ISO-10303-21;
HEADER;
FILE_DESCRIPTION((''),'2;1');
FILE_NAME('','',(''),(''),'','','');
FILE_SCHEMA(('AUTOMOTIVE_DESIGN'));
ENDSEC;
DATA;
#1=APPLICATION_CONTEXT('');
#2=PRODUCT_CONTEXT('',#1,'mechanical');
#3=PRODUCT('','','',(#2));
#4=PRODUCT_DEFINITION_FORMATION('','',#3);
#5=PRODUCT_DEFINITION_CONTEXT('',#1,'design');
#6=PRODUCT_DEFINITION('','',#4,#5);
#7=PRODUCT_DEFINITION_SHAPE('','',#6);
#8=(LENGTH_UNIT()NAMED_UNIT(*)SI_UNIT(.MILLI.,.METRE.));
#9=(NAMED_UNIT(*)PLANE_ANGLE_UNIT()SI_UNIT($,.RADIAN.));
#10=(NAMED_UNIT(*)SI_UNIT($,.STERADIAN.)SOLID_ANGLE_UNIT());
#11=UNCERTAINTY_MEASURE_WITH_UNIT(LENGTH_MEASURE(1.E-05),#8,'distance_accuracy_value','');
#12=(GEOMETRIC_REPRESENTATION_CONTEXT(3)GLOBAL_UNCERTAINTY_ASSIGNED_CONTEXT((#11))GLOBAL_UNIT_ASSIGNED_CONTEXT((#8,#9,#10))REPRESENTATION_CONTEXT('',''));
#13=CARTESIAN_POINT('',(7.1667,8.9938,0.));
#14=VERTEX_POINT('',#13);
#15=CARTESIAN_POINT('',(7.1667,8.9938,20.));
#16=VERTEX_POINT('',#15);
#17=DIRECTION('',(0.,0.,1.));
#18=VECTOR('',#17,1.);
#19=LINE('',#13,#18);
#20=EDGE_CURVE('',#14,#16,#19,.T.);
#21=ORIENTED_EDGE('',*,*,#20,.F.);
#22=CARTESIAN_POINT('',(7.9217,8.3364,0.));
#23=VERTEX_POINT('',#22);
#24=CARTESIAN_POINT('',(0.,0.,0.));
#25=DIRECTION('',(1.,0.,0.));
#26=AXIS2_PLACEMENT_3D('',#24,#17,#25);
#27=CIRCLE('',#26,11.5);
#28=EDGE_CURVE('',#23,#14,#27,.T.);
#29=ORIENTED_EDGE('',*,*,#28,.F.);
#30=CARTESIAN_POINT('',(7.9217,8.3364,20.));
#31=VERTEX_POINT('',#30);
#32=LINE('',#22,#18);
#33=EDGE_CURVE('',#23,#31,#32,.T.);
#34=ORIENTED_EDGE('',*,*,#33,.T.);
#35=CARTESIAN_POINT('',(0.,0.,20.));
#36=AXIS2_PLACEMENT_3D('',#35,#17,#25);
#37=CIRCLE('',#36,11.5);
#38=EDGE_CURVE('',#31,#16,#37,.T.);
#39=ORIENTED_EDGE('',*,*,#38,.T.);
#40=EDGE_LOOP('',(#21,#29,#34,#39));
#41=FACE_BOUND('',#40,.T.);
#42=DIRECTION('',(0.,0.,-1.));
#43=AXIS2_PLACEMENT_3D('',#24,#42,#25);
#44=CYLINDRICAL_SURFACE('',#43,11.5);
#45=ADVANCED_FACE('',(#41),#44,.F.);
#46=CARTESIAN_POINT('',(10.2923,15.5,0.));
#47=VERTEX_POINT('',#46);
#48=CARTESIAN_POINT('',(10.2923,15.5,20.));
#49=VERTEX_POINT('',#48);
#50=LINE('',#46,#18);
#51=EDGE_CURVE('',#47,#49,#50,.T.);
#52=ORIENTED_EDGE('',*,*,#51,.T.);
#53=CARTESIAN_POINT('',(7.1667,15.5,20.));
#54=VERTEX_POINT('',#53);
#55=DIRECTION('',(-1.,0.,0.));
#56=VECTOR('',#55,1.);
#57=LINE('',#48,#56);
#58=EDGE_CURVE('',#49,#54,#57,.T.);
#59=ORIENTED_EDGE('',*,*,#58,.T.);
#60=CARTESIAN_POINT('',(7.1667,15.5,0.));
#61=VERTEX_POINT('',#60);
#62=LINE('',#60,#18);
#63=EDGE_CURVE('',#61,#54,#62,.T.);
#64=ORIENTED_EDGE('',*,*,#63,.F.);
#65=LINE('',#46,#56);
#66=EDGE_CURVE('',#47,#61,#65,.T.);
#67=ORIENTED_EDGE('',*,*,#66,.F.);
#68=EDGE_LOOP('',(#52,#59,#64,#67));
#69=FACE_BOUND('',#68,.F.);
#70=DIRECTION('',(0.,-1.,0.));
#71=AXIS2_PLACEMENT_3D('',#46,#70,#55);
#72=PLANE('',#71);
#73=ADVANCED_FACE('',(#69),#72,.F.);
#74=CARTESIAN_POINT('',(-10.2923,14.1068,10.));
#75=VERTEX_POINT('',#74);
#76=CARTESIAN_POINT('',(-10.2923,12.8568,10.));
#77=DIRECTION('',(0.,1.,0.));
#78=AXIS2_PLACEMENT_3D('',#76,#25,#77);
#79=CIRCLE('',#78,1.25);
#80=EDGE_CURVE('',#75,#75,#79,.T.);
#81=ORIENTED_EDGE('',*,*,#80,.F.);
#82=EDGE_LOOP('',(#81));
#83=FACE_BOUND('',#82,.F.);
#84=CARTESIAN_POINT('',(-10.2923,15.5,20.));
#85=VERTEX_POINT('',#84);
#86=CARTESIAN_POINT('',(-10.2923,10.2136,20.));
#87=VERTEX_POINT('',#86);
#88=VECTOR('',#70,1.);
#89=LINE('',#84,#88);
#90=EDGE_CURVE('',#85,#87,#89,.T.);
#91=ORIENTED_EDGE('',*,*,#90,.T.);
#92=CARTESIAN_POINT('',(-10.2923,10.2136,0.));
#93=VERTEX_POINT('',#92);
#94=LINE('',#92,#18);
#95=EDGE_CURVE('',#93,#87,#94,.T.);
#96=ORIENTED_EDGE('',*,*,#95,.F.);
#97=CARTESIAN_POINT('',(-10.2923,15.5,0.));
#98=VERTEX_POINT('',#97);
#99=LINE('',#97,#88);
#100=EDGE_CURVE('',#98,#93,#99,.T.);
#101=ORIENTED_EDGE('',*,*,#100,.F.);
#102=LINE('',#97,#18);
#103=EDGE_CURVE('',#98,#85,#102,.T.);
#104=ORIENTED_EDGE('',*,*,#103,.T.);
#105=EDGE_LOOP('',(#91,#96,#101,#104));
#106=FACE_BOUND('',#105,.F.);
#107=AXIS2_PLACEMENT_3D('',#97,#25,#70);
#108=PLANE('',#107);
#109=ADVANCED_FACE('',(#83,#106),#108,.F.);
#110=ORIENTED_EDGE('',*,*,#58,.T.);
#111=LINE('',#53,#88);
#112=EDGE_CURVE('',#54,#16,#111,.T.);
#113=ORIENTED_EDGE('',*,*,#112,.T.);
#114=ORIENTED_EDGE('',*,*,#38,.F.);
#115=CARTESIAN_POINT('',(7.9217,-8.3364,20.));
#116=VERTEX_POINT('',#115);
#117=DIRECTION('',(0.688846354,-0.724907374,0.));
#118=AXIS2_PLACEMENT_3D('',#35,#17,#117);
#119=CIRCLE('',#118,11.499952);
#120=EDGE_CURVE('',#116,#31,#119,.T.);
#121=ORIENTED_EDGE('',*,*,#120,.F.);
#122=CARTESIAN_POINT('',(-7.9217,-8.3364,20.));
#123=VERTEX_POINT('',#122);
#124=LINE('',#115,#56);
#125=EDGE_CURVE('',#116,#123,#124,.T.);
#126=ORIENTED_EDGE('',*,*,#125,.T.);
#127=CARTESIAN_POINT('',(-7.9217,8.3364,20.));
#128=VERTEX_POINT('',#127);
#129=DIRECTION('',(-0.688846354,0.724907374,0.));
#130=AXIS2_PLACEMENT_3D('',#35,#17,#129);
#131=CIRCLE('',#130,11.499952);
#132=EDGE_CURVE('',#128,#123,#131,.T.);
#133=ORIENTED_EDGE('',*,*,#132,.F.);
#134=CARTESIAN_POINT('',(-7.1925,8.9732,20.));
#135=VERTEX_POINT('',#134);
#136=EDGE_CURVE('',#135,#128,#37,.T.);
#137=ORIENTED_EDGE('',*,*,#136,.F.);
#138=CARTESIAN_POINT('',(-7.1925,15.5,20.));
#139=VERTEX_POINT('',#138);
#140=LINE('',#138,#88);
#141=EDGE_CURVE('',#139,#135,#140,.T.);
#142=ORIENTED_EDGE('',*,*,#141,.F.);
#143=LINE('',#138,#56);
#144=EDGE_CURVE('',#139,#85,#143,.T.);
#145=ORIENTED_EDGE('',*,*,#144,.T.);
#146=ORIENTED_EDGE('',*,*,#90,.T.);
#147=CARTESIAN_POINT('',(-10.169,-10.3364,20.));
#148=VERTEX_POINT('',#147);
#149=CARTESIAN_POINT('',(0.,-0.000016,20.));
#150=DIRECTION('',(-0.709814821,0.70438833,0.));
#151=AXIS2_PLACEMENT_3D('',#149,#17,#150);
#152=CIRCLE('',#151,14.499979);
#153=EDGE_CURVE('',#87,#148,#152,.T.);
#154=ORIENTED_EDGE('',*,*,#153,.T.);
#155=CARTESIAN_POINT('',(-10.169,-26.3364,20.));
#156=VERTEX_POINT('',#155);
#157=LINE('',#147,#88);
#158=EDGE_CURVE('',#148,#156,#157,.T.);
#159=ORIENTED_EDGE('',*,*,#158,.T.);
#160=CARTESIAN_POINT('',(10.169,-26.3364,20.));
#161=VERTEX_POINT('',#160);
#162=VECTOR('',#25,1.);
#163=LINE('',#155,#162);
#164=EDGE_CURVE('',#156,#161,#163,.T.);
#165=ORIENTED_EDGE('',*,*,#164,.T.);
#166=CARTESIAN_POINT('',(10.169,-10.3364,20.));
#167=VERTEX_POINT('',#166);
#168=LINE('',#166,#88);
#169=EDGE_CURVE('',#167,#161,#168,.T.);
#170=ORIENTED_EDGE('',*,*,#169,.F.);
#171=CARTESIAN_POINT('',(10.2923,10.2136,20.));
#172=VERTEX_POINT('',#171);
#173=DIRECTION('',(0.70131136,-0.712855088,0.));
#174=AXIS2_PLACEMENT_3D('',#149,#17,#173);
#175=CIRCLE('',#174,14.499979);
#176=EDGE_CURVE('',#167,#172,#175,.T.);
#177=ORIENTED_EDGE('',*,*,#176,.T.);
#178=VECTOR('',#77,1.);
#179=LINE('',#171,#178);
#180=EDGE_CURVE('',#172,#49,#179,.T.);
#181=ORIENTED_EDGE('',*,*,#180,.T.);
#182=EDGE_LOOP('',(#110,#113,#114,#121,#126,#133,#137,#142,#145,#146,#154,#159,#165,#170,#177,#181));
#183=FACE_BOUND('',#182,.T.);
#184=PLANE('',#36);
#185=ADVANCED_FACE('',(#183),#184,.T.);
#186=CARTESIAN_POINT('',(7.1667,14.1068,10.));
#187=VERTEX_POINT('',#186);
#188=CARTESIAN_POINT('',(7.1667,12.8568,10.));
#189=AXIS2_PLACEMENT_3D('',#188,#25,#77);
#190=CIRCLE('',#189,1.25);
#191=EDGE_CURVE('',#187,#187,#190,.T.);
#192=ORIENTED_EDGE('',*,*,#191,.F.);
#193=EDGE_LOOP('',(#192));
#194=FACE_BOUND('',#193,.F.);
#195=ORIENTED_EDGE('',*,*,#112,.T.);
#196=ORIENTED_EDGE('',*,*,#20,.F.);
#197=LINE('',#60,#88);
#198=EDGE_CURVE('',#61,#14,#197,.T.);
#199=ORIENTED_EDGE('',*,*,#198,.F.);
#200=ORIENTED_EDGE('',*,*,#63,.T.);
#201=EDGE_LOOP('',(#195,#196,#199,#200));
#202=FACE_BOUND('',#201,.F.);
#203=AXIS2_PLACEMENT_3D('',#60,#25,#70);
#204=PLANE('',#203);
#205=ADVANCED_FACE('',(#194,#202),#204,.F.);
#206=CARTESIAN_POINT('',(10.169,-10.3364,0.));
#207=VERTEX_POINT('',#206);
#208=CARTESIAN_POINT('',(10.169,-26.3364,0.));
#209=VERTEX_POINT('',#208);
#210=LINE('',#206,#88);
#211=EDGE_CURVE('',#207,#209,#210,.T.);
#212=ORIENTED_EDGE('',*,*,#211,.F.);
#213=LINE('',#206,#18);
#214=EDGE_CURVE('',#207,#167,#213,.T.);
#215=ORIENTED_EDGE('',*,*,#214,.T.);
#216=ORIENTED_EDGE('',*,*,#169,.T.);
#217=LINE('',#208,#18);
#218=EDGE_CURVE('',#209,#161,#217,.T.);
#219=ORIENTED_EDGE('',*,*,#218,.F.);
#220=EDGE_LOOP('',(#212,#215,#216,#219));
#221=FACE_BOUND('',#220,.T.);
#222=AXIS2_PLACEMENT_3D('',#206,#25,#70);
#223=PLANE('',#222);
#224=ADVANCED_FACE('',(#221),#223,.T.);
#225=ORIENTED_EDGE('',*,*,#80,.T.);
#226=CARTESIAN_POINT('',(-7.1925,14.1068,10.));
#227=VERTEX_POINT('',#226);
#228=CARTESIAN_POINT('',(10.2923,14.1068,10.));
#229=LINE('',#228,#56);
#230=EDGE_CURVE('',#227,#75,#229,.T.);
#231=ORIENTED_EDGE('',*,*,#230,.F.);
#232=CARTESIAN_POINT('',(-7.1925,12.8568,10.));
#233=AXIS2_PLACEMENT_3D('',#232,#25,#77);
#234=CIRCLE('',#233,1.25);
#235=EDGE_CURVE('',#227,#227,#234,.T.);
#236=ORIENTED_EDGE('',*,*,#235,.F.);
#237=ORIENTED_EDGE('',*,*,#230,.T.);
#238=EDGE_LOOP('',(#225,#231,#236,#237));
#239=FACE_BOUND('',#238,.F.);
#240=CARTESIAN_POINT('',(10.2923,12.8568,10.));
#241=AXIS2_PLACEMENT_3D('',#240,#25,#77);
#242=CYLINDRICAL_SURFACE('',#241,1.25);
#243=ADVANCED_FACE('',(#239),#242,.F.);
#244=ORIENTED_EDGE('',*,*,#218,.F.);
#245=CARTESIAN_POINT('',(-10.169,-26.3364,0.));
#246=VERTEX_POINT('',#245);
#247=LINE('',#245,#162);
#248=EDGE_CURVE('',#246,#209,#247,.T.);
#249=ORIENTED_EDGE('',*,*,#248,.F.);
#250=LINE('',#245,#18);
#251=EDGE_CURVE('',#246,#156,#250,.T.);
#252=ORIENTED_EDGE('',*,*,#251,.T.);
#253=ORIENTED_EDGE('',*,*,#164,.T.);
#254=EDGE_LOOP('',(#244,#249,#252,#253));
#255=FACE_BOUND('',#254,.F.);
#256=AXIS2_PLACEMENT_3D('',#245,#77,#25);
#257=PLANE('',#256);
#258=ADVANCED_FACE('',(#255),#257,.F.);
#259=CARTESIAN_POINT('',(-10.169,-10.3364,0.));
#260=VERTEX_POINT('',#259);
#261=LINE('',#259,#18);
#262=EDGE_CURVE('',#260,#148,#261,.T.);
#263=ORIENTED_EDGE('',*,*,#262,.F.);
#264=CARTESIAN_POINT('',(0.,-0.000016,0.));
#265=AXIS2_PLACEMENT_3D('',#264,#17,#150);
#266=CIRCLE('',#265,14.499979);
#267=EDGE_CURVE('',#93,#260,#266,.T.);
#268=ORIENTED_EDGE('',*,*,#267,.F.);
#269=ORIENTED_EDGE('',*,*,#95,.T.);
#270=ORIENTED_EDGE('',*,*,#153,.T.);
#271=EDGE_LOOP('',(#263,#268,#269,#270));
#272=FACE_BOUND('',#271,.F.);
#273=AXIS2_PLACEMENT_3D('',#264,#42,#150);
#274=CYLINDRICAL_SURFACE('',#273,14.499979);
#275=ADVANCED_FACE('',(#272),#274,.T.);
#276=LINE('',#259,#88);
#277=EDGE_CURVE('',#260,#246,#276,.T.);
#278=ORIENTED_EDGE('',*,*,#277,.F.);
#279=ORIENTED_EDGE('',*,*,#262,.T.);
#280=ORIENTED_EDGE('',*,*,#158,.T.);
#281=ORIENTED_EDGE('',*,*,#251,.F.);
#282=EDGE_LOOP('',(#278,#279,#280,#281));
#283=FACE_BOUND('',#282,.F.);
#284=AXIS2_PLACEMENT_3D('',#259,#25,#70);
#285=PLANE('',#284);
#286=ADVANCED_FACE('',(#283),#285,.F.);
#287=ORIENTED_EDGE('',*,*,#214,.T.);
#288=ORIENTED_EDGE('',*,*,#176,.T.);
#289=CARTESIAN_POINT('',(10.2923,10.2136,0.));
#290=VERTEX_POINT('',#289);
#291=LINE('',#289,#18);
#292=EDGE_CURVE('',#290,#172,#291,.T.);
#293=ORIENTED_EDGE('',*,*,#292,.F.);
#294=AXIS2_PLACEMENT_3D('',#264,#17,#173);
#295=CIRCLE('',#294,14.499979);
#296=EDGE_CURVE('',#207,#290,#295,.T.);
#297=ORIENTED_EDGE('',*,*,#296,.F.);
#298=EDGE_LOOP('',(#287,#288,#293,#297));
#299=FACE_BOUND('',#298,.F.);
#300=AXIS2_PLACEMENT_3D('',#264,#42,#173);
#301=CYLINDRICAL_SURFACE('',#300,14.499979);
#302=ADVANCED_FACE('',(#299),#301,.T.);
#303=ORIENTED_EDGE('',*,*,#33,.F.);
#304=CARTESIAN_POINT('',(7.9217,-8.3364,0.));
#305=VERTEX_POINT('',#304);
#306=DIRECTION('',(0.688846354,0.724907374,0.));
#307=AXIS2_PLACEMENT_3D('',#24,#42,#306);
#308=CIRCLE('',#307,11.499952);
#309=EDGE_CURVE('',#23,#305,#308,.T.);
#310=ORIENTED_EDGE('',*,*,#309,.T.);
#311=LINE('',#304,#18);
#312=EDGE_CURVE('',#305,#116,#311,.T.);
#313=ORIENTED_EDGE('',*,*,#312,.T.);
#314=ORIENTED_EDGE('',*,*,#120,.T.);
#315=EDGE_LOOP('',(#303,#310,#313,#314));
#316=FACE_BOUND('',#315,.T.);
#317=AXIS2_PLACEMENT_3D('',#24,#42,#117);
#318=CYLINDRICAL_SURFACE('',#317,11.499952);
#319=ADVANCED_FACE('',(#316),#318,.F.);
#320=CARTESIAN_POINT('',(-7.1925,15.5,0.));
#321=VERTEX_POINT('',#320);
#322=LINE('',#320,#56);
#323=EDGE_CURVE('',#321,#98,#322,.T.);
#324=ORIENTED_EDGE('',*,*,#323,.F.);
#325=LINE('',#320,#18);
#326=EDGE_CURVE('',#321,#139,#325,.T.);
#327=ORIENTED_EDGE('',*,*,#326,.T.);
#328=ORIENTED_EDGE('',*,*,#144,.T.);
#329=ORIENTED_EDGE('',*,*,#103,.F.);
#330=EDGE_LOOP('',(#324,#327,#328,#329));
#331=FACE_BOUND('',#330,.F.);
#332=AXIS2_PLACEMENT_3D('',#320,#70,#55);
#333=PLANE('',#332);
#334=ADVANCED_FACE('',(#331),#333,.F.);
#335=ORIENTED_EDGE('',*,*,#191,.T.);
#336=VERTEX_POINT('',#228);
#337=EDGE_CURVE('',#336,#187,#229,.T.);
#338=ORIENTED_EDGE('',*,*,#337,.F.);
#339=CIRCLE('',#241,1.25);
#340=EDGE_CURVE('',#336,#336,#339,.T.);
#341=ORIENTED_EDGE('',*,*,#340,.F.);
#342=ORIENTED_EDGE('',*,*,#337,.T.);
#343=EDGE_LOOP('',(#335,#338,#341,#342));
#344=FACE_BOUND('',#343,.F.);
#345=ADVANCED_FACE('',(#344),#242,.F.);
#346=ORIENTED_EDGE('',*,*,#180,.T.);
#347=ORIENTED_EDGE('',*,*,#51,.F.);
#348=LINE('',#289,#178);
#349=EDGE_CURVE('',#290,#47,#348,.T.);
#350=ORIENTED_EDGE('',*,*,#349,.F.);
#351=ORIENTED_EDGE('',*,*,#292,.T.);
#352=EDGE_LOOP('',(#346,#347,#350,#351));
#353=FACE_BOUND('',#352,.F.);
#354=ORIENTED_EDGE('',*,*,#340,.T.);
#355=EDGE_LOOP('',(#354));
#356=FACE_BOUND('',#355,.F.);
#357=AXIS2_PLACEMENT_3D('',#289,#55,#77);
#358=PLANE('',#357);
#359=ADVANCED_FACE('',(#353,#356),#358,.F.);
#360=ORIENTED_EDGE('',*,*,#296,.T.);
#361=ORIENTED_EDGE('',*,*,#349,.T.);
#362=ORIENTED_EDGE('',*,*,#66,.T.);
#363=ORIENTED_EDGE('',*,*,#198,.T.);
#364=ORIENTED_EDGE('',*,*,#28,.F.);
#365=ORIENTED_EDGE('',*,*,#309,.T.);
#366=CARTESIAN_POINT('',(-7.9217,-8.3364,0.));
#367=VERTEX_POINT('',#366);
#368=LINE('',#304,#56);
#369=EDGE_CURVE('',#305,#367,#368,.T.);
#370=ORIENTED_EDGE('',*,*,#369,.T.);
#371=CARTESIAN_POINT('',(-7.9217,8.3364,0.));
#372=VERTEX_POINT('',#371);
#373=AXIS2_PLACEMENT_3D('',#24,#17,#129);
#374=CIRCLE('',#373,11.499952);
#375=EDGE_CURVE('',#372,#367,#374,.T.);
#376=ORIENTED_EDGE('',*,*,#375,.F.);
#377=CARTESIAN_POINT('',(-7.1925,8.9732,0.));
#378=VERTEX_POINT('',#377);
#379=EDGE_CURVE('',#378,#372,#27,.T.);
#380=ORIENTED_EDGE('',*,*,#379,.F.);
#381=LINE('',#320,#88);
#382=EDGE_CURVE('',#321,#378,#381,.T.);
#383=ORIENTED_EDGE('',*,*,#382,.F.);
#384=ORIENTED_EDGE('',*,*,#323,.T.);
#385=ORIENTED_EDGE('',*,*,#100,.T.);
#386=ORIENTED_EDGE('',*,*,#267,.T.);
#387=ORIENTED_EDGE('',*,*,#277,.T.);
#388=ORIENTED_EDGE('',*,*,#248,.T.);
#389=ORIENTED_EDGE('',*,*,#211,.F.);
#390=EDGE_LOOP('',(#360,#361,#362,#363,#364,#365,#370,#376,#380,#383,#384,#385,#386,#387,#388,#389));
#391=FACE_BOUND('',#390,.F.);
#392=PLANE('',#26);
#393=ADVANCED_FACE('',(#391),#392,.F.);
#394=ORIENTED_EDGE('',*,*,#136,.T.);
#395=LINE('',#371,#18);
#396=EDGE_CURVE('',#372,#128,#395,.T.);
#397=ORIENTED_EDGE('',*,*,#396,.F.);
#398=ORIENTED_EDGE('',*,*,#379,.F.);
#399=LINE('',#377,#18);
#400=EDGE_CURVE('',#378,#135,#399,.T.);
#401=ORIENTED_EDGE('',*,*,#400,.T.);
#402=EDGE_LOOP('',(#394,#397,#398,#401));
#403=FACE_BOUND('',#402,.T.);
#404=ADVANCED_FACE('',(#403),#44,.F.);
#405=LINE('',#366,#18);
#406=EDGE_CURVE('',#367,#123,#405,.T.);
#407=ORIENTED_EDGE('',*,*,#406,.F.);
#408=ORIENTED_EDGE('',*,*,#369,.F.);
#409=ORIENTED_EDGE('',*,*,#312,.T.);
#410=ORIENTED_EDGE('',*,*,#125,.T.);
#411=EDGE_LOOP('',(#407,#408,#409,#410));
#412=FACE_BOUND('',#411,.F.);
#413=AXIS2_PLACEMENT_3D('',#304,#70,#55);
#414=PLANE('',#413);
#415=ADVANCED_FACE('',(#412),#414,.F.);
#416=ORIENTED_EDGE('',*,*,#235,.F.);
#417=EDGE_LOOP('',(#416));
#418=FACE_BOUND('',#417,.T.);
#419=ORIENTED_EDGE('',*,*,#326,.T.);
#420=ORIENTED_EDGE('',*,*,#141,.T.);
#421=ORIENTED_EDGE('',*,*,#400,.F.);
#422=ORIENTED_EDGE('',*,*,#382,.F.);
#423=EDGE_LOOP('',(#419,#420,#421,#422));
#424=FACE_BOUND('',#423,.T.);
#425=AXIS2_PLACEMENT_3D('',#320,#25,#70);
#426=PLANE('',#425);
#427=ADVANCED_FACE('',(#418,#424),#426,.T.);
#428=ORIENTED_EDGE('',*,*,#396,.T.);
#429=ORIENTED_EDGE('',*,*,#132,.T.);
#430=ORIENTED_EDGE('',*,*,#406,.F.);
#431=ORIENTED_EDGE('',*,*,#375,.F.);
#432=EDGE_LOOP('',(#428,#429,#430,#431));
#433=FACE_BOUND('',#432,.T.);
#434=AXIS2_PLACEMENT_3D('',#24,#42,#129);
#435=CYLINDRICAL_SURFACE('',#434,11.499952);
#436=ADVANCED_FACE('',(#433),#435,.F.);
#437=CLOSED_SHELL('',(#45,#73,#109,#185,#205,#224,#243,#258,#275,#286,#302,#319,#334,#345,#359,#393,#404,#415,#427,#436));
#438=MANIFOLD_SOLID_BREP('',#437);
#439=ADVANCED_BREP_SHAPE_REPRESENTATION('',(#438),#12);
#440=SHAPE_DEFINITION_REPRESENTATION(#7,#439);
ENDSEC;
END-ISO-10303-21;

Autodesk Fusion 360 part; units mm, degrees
sketch "Sketch1" plane through (0, 0, 0) normal (0, 0, 1) x (1, 0, 0)
  arc A0 (7.9217, -8.3364) -> (7.9217, 8.3364) centre (0, 0) ccw
  line L0 (-7.1925, 15.5) -> (-10.2923, 15.5)
  line L1 (7.9217, -8.3364) -> (-7.9217, -8.3364)
  line L2 (7.1667, 15.5) -> (7.1667, 8.9938)
  line L3 (-10.2923, 15.5) -> (-10.2923, 10.2136)
  line L4 (10.2923, 15.5) -> (7.1667, 15.5)
  line L5 (7.9217, -8.3364) -> (-7.9217, -8.3364)
  line L6 (-10.2923, 15.5) -> (-10.2923, 10.2136)
  arc A1 (-10.2923, 10.2136) -> (-10.169, -10.3364) centre (0, 0) ccw
  line L7 (-7.1925, 15.5) -> (-7.1925, 8.9732)
  line L8 (10.2923, 10.2136) -> (10.2923, 15.5)
  arc A2 (-7.9217, 8.3364) -> (-7.9217, -8.3364) centre (0, 0) ccw
  circle A3 centre (0, 0) radius 11.5
  line L9 (-7.1925, 15.5) -> (-10.2923, 15.5)
  line L10 (10.2923, 10.2136) -> (10.2923, 15.5)
  line L11 (10.2923, 15.5) -> (7.1667, 15.5)
  arc A4 (10.169, -10.3364) -> (10.2923, 10.2136) centre (0, 0) ccw
  line L12 (10.169, -10.3364) -> (10.169, -26.3364)
  line L13 (-10.169, -10.3364) -> (-10.169, -26.3364)
  line L14 (-10.169, -26.3364) -> (10.169, -26.3364)
  dimension "d1" = 16
  dimension "d2" = 16
extrude "Extrude1" add sketch "Sketch1" along normal blind 20 contours L1 L5 A3 | A0 L0 L2 L3 L4 L6 A1 L7 L8 A2 A3 L9 L10 L11 A4 L12 L13 L14
sketch "Sketch2" plane through (10.2923, 0, 0) normal (1, 0, 0) x (0, 1, 0)
  line L0 (10.2136, 0) -> (15.5, 0)
  line L1 (15.5, 0) -> (15.5, 20)
  line L2 (15.5, 20) -> (10.2136, 20)
  line L3 (10.2136, 20) -> (10.2136, 0)
  line L4 (10.2136, 20) -> (15.5, 0) construction
  line L5 (10.2136, 0) -> (15.5, 20) construction
  circle A0 centre (12.8568, 10) radius 1.25
  dimension "d5" = 2.5
extrude "Extrude2" cut sketch "Sketch2" against normal blind 21 contours A0
